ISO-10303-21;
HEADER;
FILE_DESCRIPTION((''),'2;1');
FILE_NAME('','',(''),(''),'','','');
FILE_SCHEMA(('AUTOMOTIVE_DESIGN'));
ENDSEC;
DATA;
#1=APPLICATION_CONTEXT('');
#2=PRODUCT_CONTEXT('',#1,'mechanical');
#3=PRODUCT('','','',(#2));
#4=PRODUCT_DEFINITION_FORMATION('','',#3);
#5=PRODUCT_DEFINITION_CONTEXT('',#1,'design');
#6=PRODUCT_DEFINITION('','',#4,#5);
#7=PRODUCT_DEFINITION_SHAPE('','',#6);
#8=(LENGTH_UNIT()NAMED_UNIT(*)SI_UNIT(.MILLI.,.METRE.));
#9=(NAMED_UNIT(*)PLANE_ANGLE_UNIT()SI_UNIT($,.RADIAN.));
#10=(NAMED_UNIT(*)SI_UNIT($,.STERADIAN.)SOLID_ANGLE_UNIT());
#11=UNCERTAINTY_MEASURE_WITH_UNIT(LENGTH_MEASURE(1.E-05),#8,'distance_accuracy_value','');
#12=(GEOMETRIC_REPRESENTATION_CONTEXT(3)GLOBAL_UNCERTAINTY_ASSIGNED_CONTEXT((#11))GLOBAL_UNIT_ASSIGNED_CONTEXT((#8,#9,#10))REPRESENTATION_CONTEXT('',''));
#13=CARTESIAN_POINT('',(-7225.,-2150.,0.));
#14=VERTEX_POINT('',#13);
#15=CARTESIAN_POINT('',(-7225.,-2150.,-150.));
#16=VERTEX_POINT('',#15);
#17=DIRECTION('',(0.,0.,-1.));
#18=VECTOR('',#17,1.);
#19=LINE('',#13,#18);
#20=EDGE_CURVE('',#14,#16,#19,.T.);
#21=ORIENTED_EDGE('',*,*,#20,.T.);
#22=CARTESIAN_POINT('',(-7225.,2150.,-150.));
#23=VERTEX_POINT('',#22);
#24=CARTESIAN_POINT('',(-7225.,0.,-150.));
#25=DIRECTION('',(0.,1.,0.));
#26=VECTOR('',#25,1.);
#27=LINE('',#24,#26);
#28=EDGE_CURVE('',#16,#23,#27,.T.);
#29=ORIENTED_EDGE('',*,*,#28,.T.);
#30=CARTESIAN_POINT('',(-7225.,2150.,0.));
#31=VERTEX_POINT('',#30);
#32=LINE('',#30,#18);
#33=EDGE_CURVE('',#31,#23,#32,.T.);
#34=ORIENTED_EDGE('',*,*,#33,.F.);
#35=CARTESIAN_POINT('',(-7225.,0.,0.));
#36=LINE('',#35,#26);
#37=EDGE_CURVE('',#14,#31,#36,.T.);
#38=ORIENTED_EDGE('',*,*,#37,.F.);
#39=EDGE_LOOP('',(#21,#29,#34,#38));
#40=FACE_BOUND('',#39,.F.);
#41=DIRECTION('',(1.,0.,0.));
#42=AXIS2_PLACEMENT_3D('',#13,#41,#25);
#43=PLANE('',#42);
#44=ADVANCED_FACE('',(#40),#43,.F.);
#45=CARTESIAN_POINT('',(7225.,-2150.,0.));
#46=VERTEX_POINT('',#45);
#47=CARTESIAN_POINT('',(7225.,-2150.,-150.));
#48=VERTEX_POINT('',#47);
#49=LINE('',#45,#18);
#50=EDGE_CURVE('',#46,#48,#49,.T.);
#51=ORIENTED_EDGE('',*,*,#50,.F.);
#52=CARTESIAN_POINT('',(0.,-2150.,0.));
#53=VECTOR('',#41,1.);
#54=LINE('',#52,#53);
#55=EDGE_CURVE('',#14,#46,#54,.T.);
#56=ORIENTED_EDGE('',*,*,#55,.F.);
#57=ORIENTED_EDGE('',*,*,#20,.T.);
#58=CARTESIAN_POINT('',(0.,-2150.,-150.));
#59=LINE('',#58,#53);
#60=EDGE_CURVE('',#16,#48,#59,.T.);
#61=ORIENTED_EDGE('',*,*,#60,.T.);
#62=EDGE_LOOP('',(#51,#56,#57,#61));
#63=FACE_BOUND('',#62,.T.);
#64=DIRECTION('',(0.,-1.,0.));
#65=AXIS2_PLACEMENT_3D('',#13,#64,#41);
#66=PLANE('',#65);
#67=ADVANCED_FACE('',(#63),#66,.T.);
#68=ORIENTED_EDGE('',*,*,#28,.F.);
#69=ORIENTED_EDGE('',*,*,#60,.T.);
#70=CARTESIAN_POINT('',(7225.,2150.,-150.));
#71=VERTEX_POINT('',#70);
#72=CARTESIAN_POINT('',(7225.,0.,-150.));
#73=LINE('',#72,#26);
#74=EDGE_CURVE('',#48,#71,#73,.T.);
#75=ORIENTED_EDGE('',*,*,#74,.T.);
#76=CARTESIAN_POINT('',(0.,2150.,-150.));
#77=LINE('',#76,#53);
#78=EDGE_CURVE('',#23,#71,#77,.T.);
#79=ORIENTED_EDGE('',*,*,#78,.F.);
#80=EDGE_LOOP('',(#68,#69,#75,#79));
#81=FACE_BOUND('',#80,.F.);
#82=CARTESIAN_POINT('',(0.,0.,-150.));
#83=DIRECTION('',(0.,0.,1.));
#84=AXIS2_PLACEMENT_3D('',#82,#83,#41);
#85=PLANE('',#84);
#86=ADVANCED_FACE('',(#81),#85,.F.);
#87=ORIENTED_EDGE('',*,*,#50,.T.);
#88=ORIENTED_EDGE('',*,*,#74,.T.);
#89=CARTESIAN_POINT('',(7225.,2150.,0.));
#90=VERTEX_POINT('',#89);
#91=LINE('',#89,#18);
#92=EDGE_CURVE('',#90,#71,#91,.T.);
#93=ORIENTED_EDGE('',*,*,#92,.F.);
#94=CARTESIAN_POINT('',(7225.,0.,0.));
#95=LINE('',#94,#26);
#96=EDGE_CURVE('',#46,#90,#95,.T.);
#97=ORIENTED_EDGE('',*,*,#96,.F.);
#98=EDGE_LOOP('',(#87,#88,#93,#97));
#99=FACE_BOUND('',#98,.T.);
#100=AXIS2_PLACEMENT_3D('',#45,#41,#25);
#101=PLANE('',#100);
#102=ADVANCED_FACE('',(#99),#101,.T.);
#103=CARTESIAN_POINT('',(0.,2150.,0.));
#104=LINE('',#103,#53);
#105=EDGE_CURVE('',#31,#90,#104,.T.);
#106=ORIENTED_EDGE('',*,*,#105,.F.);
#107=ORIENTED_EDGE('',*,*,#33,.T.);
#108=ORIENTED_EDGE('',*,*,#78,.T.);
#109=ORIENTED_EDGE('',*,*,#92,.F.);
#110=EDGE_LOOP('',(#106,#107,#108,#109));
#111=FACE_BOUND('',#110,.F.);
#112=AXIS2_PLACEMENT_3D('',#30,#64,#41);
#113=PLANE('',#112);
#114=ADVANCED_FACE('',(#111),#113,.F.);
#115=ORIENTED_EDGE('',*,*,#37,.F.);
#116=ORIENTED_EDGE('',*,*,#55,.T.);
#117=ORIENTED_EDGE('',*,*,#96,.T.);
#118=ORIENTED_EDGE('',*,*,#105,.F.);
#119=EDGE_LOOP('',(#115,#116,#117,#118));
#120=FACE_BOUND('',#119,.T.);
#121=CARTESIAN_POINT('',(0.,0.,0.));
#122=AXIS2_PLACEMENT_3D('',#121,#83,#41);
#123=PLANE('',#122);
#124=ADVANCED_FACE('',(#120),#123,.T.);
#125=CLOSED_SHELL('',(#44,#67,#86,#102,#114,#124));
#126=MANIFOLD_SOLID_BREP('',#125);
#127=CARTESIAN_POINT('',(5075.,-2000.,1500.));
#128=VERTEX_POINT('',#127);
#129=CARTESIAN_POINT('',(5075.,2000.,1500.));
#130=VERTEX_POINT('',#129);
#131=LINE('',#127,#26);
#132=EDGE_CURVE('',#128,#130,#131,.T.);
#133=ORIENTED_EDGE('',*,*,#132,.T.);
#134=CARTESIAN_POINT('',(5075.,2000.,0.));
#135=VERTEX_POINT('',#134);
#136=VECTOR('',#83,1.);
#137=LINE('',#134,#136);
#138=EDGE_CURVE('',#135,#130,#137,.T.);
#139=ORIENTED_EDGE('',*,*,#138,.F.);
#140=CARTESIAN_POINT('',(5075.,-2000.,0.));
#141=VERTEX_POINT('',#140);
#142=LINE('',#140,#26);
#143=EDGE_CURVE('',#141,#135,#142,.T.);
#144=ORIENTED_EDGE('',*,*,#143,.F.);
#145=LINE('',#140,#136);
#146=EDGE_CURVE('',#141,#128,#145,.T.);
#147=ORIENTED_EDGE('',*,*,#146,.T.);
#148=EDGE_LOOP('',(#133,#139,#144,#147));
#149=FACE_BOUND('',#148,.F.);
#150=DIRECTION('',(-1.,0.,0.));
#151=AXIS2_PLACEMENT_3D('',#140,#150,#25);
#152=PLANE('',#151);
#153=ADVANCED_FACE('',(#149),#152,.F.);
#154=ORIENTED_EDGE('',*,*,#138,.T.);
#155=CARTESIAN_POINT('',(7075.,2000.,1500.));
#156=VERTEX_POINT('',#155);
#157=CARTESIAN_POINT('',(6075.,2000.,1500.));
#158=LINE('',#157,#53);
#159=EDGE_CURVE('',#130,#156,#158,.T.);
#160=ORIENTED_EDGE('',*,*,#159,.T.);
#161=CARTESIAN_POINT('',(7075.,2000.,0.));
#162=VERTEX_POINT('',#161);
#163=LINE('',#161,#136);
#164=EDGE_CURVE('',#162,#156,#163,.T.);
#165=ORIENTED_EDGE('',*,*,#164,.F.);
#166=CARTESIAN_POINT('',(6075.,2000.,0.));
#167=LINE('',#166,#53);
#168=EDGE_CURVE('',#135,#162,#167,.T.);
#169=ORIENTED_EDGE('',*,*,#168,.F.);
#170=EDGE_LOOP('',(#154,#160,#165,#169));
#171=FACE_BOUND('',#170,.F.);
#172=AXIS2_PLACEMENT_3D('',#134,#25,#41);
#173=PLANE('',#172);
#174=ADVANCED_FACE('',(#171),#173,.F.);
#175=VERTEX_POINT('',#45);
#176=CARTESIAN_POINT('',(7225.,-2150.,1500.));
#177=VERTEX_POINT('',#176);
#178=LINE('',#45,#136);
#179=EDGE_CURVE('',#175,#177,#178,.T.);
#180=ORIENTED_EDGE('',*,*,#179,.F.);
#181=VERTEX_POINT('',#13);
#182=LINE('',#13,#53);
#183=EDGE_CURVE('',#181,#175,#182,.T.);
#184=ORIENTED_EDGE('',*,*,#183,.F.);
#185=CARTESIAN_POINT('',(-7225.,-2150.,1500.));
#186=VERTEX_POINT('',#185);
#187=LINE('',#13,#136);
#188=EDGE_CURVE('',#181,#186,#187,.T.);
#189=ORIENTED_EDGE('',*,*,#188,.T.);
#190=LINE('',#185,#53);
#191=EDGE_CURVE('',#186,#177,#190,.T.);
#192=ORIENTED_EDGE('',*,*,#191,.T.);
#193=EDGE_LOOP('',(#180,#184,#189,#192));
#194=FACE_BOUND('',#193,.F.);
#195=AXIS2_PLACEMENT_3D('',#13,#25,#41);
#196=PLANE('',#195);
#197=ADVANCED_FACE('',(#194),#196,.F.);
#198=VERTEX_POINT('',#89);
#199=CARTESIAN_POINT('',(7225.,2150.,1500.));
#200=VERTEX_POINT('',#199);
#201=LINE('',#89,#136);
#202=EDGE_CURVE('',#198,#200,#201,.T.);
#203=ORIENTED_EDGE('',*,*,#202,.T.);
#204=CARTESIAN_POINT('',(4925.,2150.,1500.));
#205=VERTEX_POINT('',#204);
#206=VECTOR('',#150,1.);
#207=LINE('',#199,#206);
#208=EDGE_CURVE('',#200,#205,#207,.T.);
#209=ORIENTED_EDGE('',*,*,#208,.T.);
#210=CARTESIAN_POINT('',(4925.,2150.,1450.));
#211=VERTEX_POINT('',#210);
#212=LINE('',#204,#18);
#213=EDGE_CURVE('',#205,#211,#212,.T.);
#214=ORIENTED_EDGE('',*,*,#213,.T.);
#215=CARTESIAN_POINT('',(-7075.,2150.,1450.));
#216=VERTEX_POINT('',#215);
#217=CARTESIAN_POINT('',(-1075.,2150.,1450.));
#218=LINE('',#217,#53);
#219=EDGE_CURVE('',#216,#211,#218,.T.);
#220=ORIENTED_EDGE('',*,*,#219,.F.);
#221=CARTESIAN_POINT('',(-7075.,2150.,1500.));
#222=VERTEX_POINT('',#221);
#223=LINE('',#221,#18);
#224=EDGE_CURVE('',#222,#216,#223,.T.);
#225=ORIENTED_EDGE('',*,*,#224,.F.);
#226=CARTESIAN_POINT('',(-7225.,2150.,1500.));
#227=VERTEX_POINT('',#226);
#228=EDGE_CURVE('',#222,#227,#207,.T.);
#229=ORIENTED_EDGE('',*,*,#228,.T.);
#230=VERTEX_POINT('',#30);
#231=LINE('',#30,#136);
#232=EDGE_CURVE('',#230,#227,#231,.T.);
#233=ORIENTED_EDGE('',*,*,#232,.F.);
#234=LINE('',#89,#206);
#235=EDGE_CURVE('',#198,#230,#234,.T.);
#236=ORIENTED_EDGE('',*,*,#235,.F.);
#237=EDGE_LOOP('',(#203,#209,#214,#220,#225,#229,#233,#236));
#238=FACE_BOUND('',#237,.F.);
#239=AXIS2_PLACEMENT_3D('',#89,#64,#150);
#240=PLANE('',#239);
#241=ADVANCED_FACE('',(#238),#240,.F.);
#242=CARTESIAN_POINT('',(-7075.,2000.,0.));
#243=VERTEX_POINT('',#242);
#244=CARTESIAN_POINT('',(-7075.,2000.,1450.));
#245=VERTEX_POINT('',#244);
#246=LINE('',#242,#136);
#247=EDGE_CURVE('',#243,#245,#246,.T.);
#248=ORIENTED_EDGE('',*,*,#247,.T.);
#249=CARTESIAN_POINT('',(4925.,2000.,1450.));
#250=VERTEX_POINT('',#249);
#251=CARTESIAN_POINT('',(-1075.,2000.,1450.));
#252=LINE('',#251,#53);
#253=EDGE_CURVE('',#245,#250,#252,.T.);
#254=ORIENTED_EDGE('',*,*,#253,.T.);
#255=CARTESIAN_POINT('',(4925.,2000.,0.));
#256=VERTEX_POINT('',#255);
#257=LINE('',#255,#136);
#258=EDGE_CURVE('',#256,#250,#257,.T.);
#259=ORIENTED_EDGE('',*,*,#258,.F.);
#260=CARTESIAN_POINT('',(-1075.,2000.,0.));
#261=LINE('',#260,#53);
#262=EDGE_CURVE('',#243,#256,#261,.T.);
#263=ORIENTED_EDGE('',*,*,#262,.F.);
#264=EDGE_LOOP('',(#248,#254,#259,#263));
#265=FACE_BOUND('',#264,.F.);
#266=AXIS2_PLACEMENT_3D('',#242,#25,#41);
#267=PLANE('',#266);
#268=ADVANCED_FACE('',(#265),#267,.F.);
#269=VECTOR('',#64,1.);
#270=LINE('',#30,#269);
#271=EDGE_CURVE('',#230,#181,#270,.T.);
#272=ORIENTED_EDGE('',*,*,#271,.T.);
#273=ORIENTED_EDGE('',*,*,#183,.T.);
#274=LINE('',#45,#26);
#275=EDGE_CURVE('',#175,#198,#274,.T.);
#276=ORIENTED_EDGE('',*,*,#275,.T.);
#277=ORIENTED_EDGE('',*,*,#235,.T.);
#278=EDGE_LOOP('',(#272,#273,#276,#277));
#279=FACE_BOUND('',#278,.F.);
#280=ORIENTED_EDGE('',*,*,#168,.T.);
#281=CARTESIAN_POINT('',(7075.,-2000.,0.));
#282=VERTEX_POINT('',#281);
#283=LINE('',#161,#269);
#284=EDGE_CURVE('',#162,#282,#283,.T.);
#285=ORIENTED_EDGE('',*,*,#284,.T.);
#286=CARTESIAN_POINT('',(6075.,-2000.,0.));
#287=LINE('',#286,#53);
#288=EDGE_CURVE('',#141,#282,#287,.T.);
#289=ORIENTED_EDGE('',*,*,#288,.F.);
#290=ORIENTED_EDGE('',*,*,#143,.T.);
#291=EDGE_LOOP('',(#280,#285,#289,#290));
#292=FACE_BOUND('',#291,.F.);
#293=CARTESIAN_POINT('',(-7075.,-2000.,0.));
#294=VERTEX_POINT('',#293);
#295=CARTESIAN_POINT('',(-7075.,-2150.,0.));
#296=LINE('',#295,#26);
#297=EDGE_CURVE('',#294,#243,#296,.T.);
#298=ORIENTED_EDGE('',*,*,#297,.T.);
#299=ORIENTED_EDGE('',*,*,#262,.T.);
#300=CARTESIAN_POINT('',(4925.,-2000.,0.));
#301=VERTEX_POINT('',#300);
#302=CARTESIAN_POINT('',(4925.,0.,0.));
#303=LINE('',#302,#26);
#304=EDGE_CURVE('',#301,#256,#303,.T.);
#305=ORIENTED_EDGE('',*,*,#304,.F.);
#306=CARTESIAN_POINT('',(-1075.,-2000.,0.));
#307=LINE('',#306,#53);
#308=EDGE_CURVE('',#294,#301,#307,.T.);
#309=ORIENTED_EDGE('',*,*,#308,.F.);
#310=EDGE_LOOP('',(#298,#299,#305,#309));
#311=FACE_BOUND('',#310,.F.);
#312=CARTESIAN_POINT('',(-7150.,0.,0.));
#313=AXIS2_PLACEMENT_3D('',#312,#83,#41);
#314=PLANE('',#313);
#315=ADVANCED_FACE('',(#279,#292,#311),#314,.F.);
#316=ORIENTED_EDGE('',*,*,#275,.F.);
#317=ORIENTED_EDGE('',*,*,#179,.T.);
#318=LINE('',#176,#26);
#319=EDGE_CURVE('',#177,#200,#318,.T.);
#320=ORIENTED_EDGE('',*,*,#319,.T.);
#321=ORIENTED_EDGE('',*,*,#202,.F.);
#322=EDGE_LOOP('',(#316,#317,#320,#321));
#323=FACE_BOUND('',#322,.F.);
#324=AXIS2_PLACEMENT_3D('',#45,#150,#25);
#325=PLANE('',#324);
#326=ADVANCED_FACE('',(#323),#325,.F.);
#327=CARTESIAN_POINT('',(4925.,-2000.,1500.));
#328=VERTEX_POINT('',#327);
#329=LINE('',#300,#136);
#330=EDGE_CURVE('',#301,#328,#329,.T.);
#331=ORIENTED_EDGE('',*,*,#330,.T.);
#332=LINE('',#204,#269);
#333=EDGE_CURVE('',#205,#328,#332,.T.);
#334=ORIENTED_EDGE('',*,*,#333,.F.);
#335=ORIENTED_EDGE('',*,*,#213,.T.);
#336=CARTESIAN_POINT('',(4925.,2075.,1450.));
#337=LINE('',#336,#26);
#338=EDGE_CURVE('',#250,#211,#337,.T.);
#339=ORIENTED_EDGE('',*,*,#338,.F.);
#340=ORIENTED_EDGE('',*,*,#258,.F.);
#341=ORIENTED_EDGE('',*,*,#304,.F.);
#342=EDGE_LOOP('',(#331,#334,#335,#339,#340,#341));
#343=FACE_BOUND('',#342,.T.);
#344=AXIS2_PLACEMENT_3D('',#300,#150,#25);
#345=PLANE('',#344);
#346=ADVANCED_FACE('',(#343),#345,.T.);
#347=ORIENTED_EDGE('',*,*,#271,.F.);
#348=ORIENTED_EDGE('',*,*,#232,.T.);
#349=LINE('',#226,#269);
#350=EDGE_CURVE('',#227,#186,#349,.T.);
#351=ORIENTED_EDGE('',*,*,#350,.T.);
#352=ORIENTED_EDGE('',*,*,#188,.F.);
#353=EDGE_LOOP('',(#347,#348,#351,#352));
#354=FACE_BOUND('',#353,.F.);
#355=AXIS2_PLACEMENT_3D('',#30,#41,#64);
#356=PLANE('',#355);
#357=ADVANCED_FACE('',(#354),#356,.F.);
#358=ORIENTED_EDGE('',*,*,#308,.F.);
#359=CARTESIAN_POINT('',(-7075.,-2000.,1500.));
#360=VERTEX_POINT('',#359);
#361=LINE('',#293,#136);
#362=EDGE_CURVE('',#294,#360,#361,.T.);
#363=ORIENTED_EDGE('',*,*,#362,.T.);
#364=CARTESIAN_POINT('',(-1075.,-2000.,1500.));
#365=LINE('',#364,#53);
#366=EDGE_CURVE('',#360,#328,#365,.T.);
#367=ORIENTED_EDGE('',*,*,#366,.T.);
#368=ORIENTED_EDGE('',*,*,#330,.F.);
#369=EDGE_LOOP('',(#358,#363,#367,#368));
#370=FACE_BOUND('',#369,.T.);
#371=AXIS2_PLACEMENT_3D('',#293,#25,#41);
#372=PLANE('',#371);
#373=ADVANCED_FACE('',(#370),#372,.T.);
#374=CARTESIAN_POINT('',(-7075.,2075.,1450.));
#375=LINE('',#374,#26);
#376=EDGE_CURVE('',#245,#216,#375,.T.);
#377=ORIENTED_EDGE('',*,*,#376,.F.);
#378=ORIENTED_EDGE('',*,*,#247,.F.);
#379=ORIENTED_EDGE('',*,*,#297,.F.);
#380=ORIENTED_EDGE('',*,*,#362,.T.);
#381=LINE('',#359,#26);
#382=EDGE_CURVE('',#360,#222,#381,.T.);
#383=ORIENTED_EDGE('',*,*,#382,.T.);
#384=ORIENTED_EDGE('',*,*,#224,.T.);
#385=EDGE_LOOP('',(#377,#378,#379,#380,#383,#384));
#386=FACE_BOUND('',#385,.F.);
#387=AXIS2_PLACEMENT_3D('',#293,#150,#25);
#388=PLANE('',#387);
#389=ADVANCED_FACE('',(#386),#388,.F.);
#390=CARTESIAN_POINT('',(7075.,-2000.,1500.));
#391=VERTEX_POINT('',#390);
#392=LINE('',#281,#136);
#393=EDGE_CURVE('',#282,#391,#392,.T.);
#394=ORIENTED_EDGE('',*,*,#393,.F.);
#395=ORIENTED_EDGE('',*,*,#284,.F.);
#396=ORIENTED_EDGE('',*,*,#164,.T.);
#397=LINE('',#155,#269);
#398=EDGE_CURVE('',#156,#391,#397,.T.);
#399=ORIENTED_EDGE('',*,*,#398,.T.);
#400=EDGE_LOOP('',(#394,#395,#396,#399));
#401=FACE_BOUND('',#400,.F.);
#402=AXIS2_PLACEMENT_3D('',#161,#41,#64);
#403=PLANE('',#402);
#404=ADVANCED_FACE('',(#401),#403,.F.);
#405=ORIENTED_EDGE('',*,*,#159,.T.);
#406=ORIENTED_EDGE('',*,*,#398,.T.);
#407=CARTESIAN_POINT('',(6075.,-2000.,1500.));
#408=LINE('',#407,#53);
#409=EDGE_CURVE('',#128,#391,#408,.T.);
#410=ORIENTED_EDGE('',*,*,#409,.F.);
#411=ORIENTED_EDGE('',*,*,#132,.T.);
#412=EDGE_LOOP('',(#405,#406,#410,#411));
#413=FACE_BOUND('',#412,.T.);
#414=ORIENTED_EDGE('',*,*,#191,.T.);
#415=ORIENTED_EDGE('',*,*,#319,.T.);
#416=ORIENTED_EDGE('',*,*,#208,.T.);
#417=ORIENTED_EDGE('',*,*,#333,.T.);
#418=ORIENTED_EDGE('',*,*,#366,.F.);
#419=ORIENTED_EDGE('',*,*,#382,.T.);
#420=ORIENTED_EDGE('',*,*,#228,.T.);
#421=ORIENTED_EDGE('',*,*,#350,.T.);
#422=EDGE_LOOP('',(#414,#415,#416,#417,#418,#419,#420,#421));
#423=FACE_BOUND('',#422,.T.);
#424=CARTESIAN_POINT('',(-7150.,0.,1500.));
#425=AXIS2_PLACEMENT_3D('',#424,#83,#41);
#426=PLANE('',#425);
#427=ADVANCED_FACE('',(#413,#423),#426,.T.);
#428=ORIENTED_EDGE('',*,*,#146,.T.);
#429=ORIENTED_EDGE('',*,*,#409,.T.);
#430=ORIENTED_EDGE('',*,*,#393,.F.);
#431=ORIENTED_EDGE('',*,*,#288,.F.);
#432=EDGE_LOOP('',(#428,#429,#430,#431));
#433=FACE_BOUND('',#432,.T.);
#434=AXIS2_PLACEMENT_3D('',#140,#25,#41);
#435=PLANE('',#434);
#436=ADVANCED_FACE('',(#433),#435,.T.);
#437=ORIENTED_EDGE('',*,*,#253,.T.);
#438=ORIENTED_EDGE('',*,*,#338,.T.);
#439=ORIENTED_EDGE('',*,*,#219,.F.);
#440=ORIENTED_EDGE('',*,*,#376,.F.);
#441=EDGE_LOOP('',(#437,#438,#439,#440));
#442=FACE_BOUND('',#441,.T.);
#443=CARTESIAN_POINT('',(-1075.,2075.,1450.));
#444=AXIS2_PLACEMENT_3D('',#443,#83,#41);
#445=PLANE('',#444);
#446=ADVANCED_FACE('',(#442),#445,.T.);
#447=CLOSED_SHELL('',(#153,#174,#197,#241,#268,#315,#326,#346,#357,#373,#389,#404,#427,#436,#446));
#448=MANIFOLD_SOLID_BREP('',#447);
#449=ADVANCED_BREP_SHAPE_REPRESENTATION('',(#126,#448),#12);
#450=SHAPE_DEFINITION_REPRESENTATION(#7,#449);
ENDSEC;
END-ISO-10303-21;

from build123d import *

# Parameters (mm, degrees)
F0_W     = 14450
F0_H     = 4300
F1_DEPTH = 150
F2_W     = 12000
F2_H     = 150
F2_W_2   = 150
F2_H_2   = 4000
F2_W_3   = 2000
F3_DEPTH = 1500
F4_W     = 12000
F4_H     = 150
F5_DEPTH = 50


with BuildPart() as f1:
    # F0 (on Top) → F1 (new body)
    with BuildSketch(Plane.XY):
        Rectangle(F0_W, F0_H)
    extrude(amount=-F1_DEPTH)


with BuildPart() as f3:
    # F2 (on face) → F3 (new body)
    with BuildSketch(Plane.XY):
        Polygon((-7075, 2150), (-7225, 2150), (-7225, -2150), (-7075, -2150), (-7075, -2000), (-7075, 2000), align=None)
        with Locations((-1075, 2075)):
            Rectangle(F2_W, F2_H)
        with Locations((-1075, -2075)):
            Rectangle(F2_W, F2_H)
        with Locations((5000, 0)):
            Rectangle(F2_W_2, F2_H_2)
        with Locations((5000, 2075)):
            Rectangle(F2_W_2, F2_H)
        with Locations((6075, 2075)):
            Rectangle(F2_W_3, F2_H)
        with Locations((7150, 0)):
            Rectangle(F2_W_2, F2_H_2)
        with Locations((7150, 2075)):
            Rectangle(F2_W_2, F2_H)
        with Locations((7150, -2075)):
            Rectangle(F2_W_2, F2_H)
        with Locations((6075, -2075)):
            Rectangle(F2_W_3, F2_H)
        with Locations((5000, -2075)):
            Rectangle(F2_W_2, F2_H)
    extrude(amount=F3_DEPTH)

    # F4 (on face) → F5 (cut)
    with BuildSketch(Plane.XY.offset(1500)):
        with Locations((-1075, 2075)):
            Rectangle(F4_W, F4_H)
    extrude(amount=-F5_DEPTH, mode=Mode.SUBTRACT)


solid = Compound([f1.part, f3.part])
